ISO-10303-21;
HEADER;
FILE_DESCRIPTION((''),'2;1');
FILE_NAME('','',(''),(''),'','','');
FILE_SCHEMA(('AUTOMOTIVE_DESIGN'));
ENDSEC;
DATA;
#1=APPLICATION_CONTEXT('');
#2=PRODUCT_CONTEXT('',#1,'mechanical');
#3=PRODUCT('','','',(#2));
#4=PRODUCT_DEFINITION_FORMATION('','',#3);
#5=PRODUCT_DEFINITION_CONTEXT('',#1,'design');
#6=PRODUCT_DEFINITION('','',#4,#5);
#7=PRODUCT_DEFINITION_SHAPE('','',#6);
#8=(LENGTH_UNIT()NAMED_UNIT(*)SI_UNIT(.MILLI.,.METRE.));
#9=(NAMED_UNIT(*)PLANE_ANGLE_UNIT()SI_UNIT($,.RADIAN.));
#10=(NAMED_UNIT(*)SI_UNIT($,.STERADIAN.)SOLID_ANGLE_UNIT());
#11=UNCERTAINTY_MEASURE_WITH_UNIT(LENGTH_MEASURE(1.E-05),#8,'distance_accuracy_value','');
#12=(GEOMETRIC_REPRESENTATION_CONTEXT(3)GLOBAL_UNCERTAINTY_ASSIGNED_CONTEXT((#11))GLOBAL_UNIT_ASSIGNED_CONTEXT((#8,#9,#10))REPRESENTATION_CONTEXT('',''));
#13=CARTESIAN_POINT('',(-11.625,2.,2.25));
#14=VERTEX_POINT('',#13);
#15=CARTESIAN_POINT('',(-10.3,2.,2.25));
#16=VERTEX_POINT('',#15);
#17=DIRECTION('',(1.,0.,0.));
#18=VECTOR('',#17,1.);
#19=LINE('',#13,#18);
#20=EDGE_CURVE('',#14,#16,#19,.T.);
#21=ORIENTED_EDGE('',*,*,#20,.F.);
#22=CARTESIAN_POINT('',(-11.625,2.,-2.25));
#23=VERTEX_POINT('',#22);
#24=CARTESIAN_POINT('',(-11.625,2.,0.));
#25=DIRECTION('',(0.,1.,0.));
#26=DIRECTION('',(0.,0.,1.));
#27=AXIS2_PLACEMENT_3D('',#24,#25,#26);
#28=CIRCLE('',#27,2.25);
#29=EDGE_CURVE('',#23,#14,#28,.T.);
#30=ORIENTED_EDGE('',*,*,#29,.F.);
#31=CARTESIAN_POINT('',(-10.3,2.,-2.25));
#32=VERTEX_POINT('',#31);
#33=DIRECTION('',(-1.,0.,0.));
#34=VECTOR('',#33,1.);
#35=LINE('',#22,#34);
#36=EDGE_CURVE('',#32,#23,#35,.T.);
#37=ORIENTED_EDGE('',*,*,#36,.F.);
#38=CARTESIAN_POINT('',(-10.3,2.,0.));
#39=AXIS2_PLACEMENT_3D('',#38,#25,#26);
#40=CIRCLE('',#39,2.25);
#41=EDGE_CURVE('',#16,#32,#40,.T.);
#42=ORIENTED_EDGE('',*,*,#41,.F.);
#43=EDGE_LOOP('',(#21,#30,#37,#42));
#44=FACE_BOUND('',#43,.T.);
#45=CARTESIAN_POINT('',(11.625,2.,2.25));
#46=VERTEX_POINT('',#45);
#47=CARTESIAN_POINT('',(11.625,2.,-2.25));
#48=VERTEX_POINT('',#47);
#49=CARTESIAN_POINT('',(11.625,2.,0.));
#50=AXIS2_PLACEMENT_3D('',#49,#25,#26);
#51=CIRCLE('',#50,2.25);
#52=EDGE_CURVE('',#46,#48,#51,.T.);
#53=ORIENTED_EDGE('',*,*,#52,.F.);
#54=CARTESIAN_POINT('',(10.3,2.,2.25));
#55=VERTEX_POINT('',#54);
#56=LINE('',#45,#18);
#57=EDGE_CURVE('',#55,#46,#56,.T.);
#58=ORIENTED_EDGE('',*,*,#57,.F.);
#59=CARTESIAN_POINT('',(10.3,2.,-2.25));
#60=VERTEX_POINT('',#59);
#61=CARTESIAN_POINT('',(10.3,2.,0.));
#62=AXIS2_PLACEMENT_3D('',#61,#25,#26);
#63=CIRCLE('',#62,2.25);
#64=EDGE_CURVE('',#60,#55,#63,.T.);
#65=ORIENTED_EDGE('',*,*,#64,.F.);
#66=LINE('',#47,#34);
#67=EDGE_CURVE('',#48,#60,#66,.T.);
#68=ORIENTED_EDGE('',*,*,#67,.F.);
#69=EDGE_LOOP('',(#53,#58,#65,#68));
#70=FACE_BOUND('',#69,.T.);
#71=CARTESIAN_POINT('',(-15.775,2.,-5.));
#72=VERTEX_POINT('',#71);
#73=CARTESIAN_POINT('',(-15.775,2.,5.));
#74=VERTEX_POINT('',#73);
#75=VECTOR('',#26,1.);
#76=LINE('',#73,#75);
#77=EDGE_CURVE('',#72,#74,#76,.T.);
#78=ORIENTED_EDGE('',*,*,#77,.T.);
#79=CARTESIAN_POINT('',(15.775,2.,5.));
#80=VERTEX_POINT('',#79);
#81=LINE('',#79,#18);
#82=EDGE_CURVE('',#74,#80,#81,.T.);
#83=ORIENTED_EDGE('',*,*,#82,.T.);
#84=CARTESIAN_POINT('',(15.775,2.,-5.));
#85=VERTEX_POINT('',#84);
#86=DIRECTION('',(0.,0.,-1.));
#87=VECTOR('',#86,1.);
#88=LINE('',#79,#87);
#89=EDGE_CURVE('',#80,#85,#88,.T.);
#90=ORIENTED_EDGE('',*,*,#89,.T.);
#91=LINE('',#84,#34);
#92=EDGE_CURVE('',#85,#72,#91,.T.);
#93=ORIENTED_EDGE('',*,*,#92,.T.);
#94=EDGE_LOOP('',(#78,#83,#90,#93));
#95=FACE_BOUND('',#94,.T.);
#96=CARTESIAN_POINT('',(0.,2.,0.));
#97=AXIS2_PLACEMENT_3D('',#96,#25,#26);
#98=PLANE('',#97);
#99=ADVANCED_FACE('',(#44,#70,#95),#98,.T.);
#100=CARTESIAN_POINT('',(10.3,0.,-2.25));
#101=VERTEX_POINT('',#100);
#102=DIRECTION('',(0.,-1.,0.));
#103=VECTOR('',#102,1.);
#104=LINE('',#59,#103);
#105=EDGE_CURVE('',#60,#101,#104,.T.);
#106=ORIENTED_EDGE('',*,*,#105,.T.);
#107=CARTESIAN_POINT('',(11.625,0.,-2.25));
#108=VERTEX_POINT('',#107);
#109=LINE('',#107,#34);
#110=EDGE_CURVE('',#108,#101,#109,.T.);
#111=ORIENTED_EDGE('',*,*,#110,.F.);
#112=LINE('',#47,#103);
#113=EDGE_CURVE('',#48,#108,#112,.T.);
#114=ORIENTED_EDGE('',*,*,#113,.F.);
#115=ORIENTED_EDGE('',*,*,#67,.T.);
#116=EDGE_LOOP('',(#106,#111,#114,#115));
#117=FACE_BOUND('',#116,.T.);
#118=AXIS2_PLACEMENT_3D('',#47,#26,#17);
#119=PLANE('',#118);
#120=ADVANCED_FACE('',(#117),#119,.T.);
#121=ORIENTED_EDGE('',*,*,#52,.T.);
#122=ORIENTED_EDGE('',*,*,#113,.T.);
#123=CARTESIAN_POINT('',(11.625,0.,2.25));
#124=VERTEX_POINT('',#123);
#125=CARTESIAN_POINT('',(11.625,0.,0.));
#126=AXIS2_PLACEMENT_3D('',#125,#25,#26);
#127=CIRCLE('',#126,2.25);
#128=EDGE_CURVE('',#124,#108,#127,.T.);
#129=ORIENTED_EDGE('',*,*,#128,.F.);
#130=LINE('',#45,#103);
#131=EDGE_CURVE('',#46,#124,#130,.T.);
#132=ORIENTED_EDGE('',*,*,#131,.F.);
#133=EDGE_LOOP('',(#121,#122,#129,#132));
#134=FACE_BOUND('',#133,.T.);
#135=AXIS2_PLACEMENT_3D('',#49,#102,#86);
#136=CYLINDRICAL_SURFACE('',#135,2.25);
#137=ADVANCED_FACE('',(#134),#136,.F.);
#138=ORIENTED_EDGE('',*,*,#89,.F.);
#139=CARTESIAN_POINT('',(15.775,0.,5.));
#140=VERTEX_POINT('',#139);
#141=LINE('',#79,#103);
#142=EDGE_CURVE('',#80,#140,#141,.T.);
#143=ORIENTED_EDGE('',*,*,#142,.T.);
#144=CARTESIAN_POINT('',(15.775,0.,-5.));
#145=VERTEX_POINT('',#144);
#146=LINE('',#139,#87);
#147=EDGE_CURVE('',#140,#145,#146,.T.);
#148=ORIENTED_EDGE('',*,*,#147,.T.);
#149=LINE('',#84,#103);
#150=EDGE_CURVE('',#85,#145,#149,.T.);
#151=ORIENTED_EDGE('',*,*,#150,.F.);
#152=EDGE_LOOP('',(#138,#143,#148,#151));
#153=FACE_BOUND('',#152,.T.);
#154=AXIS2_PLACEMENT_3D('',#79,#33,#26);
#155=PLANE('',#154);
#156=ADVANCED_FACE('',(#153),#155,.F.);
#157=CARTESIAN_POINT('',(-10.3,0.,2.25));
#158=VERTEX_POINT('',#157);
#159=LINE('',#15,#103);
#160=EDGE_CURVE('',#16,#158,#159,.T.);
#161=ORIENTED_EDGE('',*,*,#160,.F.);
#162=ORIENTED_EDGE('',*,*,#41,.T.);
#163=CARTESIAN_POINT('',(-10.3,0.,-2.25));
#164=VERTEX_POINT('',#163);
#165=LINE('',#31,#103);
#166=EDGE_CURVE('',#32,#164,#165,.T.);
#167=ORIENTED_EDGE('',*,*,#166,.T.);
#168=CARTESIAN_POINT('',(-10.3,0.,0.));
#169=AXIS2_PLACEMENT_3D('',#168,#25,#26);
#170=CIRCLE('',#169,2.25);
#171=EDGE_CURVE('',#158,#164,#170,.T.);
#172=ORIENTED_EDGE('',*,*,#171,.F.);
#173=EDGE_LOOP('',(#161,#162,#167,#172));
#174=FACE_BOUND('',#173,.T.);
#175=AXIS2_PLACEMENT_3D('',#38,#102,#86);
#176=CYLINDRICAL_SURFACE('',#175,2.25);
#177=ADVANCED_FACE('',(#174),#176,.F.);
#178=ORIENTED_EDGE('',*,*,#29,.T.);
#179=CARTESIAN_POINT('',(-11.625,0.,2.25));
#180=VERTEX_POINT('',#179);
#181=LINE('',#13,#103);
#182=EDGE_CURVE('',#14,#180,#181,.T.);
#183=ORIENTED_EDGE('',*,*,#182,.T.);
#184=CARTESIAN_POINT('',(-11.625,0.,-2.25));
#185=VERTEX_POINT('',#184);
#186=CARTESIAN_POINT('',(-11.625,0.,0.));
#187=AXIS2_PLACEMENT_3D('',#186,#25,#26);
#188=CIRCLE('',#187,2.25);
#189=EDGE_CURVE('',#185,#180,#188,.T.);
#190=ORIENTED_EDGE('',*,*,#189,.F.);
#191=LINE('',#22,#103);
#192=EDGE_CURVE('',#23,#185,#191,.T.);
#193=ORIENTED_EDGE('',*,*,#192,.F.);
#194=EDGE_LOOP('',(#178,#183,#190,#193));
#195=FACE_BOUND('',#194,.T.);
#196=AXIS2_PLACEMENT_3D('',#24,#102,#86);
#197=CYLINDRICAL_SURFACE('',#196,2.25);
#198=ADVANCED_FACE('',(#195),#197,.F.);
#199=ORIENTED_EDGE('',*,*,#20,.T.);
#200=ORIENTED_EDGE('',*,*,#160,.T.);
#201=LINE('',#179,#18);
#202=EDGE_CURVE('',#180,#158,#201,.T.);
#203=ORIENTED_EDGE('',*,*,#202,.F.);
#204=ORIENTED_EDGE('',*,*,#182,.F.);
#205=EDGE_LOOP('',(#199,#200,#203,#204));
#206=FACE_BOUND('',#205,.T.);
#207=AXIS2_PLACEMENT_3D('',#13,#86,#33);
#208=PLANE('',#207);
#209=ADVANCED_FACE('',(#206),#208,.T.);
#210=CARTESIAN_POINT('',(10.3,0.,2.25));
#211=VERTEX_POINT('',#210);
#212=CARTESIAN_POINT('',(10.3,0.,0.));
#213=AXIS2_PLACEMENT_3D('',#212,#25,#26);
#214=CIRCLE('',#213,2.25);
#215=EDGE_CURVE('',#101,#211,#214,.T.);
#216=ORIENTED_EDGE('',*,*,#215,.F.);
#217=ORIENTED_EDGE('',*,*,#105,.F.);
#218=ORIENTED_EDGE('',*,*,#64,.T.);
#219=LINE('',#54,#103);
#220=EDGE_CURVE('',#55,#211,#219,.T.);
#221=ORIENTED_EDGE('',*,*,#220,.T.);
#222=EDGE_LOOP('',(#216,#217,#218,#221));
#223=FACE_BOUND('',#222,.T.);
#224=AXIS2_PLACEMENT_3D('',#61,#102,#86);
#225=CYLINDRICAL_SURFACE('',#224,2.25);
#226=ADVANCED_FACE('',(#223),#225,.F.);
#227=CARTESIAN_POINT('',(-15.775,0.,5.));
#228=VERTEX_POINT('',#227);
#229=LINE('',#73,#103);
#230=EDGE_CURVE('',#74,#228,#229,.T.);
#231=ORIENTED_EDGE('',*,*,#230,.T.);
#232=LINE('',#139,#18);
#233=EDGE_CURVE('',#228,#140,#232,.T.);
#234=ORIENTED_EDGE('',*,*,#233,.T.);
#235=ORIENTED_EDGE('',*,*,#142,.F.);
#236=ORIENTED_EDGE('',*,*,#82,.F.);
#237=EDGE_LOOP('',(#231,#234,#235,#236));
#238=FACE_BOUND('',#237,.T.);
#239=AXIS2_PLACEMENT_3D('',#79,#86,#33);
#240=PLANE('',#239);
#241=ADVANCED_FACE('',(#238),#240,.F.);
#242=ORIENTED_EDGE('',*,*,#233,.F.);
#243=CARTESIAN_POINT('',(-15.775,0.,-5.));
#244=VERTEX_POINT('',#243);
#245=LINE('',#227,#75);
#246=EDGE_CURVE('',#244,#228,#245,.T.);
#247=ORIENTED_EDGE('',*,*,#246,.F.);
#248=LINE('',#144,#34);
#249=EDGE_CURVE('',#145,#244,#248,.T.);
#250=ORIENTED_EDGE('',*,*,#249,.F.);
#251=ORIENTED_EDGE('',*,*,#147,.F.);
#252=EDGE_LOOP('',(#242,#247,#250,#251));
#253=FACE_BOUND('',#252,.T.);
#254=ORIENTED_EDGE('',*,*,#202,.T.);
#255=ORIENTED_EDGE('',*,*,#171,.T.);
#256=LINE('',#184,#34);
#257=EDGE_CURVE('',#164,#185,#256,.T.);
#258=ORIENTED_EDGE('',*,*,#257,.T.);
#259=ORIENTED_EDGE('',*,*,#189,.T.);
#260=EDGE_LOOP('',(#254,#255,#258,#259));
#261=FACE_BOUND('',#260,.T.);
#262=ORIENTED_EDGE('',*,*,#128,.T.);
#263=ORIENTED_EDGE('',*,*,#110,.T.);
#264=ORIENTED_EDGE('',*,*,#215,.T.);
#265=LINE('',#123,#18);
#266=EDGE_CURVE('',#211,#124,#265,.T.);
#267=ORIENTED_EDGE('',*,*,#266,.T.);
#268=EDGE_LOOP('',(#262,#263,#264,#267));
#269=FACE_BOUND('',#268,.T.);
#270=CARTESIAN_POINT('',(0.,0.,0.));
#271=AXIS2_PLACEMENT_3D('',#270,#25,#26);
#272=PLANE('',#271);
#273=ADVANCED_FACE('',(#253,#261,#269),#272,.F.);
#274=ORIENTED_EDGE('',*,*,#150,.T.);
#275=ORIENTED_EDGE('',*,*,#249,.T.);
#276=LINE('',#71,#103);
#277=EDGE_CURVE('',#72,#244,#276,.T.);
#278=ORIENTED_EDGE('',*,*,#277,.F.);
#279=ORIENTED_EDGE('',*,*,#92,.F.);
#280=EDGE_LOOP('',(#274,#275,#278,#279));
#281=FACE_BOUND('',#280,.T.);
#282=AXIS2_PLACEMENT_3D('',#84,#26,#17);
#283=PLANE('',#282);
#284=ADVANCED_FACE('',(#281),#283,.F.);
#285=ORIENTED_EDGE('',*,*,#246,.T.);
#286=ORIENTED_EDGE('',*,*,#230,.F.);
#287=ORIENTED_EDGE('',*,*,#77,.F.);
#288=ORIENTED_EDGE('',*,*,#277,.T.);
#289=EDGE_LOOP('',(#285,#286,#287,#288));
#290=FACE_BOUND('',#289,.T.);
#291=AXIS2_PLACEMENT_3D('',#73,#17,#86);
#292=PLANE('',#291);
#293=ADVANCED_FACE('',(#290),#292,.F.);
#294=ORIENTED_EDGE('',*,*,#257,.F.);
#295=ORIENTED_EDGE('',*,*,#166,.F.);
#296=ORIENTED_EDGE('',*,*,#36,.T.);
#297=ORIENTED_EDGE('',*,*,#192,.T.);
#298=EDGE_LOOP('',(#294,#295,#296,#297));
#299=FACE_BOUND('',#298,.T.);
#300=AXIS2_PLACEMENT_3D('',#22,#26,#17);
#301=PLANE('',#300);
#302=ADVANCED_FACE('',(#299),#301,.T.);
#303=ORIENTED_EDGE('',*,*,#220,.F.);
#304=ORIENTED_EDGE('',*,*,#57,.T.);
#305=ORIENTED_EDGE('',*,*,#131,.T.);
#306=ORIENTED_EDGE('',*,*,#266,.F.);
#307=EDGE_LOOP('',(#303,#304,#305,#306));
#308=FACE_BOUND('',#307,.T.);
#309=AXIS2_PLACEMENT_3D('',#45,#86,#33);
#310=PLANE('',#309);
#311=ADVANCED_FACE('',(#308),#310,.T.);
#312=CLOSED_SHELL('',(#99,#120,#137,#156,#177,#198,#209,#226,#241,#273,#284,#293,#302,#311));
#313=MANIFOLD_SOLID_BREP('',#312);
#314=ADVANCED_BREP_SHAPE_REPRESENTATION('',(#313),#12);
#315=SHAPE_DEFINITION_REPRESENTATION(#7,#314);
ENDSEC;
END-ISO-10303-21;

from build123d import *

# Parameters (mm, degrees)
SKETCH1_W    = 31.55
SKETCH1_H    = 10
BUSBAR_DEPTH = 2


with BuildPart() as part:
    # Sketch1 → Busbar (new body)
    with BuildSketch(Plane(origin=(0, 0, 0), x_dir=(1, 0, 0), z_dir=(0, 1, 0))):
        Rectangle(SKETCH1_W, SKETCH1_H)
        with BuildLine():
            Line((-11.625, 2.25), (-10.3, 2.25))
            ThreePointArc((-10.3, 2.25), (-8.05, 0), (-10.3, -2.25))
            Line((-10.3, -2.25), (-11.625, -2.25))
            ThreePointArc((-11.625, -2.25), (-13.875, 0), (-11.625, 2.25))
        make_face(mode=Mode.SUBTRACT)
        with BuildLine():
            Line((11.625, -2.25), (10.3, -2.25))
            ThreePointArc((10.3, -2.25), (8.05, 0), (10.3, 2.25))
            Line((10.3, 2.25), (11.625, 2.25))
            ThreePointArc((11.625, 2.25), (13.875, 0), (11.625, -2.25))
        make_face(mode=Mode.SUBTRACT)
    extrude(amount=BUSBAR_DEPTH)


solid = part.part
